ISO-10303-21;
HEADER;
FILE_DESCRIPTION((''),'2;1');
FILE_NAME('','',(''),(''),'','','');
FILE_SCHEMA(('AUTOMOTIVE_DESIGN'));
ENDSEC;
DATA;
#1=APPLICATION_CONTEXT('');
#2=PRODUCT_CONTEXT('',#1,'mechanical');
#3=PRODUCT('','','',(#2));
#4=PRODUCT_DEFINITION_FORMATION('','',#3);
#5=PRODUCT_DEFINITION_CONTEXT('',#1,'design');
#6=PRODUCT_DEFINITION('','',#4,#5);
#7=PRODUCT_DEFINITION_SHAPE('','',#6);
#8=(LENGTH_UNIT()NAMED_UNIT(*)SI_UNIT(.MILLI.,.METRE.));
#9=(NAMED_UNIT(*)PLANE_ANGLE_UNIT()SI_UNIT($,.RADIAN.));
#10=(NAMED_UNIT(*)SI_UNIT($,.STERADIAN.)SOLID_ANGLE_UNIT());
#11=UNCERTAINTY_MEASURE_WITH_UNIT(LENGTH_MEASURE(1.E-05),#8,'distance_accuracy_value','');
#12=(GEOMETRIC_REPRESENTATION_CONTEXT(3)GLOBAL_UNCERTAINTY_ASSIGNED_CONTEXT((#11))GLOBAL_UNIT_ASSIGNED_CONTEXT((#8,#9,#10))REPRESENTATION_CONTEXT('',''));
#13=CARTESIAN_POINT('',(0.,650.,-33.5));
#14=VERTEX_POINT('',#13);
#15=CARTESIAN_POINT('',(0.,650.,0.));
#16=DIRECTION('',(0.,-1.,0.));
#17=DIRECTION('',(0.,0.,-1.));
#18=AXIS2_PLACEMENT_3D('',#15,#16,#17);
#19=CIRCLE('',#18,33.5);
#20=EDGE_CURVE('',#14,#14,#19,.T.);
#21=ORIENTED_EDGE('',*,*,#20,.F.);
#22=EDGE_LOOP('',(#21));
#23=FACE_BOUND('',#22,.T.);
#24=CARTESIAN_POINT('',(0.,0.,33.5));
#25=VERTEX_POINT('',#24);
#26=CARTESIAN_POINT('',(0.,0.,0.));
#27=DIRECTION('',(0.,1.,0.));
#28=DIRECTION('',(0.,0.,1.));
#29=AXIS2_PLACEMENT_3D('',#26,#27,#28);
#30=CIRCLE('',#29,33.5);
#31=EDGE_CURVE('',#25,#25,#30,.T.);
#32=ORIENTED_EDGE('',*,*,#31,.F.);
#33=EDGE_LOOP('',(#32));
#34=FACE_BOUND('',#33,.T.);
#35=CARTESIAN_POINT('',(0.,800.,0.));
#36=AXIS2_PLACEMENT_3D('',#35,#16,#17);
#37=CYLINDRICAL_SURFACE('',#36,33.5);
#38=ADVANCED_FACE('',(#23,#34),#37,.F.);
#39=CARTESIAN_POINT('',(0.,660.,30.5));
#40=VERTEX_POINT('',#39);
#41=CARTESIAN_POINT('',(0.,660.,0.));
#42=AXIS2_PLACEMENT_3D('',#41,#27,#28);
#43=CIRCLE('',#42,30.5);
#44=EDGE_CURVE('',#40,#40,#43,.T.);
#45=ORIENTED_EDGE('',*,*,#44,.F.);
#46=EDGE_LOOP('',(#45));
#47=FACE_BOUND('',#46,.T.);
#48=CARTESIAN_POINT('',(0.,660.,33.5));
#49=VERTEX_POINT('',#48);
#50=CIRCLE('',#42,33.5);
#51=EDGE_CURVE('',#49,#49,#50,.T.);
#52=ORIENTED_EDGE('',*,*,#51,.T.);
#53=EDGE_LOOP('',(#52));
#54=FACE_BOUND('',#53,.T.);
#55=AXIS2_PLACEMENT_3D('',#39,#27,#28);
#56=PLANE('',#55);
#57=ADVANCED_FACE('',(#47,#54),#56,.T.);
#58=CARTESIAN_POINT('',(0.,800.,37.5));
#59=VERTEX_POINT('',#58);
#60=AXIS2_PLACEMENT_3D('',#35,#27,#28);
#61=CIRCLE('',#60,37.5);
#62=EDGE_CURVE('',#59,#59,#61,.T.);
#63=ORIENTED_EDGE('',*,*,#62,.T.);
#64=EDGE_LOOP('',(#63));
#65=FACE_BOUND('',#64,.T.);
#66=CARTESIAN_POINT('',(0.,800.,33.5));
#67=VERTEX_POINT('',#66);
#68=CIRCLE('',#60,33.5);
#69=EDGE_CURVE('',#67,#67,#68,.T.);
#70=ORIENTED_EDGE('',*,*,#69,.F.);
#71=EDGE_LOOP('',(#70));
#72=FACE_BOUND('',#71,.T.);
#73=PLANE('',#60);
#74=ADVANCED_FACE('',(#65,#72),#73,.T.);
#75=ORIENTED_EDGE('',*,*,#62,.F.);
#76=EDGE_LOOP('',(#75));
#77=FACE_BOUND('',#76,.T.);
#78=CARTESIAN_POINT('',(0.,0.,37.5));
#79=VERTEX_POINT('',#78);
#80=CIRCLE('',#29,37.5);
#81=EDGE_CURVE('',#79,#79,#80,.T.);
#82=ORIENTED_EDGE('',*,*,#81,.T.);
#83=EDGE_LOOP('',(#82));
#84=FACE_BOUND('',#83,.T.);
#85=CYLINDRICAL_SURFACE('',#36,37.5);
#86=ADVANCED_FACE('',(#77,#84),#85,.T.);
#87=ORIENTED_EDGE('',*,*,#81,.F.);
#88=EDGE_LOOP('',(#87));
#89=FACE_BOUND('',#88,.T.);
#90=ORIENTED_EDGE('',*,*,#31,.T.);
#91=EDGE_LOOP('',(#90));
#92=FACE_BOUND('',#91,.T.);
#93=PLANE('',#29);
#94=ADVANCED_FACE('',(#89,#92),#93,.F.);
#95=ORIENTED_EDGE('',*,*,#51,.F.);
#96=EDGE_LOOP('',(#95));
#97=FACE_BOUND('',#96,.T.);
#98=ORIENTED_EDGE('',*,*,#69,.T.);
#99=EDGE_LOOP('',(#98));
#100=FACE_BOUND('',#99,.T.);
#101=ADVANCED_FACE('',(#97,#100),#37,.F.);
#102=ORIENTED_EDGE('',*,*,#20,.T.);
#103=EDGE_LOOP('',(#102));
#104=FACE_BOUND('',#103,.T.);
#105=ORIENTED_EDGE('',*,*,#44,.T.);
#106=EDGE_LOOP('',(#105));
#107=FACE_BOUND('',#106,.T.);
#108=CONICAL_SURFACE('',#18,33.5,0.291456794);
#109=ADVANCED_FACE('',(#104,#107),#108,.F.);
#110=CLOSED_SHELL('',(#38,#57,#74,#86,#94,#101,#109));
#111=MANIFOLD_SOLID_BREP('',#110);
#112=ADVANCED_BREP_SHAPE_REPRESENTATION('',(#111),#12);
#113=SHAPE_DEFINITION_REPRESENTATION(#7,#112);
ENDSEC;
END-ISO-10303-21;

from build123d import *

# Parameters (mm, degrees)
SKETCH1_R           = 37.5
SKETCH1_R_2         = 33.5
BOSS_EXTRUDE1_DEPTH = 800


with BuildPart() as part:
    # Sketch1 → Boss-Extrude1 (new body)
    with BuildSketch(Plane(origin=(0, 0, 0), x_dir=(1, 0, 0), z_dir=(0, 1, 0))):
        with Locations(Location((0, 0, 0), (0, 0, 270))):
            Circle(SKETCH1_R)
        with Locations(Location((0, 0, 0), (0, 0, 270))):
            Circle(SKETCH1_R_2, mode=Mode.SUBTRACT)
    extrude(amount=BOSS_EXTRUDE1_DEPTH)

    # Sketch2 → Revolve1 (revolve)
    with BuildSketch(Plane(origin=(0, 0, 0), x_dir=(0, 0, -1), z_dir=(1, 0, 0)), mode=Mode.PRIVATE) as revolve1_sk:
        Polygon((-33.5, 650), (-30.5, 660), (-33.5, 660), align=None)
    revolve(revolve1_sk.sketch.rotate(Axis((0, 800, 0), (0, -1, 0)), 180), axis=Axis((0, 800, 0), (0, -1, 0)))


solid = part.part
